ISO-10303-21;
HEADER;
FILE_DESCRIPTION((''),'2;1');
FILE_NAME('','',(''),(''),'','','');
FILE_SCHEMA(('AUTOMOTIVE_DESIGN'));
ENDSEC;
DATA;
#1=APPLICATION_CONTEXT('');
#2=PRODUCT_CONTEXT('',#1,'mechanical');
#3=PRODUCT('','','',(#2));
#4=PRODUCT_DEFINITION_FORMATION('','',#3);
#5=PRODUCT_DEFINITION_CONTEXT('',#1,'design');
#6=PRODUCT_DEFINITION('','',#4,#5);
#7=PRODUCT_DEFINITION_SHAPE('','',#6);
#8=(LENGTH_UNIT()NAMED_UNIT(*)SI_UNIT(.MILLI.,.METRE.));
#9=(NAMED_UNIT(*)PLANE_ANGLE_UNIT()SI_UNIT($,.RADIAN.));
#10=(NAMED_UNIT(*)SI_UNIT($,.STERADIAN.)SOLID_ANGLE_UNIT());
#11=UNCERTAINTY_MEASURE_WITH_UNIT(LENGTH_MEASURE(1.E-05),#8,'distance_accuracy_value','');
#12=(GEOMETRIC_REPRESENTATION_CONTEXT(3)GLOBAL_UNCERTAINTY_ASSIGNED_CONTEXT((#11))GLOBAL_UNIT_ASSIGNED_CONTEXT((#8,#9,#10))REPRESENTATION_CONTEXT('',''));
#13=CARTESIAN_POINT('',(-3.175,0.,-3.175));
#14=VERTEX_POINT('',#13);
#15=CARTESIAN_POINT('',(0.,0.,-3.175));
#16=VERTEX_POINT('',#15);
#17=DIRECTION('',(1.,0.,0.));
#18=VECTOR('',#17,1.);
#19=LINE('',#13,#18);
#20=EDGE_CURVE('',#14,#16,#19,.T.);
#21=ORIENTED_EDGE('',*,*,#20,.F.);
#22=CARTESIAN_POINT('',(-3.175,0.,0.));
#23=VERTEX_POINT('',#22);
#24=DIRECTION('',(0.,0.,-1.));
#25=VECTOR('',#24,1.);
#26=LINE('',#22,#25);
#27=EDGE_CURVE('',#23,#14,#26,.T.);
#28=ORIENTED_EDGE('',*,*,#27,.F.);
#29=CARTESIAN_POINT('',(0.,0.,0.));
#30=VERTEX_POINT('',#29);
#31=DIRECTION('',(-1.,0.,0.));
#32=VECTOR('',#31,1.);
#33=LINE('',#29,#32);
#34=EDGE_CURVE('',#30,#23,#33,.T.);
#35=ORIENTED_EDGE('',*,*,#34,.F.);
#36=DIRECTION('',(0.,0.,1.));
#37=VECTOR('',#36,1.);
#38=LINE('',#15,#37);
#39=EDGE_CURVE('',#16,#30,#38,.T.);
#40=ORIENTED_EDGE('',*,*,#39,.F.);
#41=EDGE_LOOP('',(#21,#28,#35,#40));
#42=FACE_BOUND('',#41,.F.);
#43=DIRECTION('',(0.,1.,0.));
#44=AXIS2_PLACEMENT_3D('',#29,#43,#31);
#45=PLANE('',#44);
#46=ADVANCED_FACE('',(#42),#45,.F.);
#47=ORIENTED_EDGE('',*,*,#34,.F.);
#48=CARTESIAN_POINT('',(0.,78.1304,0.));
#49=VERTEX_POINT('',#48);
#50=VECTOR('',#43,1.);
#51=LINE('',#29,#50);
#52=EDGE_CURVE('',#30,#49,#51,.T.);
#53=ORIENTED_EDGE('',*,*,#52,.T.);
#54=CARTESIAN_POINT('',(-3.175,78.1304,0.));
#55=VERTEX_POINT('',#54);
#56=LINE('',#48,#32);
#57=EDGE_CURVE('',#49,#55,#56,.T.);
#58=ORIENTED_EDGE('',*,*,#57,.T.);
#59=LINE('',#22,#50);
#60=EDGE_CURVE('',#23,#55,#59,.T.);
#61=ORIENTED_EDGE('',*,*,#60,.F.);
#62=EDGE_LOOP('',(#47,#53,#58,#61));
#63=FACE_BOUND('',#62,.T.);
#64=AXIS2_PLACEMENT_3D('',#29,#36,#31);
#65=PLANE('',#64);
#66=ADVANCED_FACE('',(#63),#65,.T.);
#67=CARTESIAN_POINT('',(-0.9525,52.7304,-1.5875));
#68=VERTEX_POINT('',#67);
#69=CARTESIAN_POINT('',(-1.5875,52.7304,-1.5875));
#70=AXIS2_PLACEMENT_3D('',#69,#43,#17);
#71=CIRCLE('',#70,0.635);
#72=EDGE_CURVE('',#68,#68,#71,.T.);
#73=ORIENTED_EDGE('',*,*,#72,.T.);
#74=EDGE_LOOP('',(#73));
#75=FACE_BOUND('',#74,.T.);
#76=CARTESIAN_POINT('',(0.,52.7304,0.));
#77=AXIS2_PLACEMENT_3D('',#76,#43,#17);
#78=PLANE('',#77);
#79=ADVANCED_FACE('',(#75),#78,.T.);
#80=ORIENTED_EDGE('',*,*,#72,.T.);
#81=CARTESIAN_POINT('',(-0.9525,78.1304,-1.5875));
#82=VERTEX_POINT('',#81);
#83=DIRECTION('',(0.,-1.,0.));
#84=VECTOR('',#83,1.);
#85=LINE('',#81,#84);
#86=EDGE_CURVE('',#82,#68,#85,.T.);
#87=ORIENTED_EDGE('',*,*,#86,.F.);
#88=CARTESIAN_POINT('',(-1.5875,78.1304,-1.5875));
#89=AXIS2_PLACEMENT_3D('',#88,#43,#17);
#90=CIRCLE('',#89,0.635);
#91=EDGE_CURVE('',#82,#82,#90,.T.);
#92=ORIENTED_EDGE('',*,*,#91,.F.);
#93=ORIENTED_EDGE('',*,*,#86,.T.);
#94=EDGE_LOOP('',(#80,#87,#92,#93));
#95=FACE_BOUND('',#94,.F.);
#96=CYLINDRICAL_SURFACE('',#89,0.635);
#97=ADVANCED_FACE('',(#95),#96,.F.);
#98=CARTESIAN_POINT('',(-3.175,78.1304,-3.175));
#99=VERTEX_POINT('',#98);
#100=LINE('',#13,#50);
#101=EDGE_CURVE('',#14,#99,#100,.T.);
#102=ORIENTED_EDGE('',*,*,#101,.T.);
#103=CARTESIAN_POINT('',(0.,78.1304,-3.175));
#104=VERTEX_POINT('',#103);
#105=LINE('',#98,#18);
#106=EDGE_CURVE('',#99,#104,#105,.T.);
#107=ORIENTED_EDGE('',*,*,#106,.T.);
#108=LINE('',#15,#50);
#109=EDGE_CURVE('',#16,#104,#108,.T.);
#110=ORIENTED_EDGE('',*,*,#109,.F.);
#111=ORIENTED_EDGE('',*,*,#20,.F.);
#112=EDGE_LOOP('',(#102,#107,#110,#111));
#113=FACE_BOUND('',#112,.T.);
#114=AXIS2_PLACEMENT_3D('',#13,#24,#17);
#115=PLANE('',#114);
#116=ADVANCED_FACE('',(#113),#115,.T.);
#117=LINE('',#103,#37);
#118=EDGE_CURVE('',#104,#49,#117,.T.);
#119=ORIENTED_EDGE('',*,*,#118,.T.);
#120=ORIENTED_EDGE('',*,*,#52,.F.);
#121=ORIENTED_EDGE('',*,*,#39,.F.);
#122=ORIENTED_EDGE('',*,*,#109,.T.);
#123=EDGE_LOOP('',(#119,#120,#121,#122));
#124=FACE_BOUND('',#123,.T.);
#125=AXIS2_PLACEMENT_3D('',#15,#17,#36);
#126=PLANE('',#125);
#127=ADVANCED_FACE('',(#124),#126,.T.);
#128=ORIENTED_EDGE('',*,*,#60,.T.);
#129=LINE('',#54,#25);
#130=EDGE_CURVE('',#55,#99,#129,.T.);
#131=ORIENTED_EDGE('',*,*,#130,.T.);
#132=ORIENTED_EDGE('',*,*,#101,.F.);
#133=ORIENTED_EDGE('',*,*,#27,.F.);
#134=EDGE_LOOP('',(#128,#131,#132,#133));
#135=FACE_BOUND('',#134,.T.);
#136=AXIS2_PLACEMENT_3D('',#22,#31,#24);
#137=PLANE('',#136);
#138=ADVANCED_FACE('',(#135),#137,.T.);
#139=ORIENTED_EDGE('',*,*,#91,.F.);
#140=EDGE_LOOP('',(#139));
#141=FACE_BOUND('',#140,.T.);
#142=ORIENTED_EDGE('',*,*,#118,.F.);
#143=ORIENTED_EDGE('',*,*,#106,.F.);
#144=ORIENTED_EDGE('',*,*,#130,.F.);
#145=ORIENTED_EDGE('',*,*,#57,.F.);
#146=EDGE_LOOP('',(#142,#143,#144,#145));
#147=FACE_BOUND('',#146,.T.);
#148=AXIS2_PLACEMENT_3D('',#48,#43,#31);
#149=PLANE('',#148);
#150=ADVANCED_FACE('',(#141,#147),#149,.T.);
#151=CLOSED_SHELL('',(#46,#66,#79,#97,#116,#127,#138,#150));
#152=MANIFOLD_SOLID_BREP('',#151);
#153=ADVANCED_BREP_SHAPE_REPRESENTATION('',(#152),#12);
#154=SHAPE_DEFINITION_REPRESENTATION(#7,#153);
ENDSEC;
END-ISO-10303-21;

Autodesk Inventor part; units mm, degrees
ref_plane "YZ Plane" through (0, 0, 0) normal (1, 0, 0) x (0, 1, 0)
ref_plane "XZ Plane" through (0, 0, 0) normal (0, 1, 0) x (-1, 0, 0)
ref_plane "XY Plane" through (0, 0, 0) normal (0, 0, 1) x (1, 0, 0)
sketch "Sketch1" plane through (0, 0, 0) normal (0, 1, 0) x (-1, 0, 0)
  line L0 (0, 0) -> (3.175, 0)
  line L1 (3.175, 0) -> (3.175, -3.175)
  line L2 (3.175, -3.175) -> (0, -3.175)
  line L3 (0, -3.175) -> (0, 0)
  point P0 (0, -1.5875)
  point P1 (3.175, -1.5875)
  dimension "d2" = 3.175
  dimension "d3" = 3.175
extrude "Extrusion1" add sketch "Sketch1" along normal blind 78.1304
sketch "Sketch2" plane through (0, 78.1304, 0) normal (0, 1, 0) x (1, 0, 0)
  circle A0 centre (-1.5875, 1.5875) radius 0.635
  line L0 (0, 3.175) -> (-3.175, 3.175) construction
  line L1 (-3.175, 3.175) -> (0, 0) construction
  line L2 (-3.175, 3.175) -> (-3.175, 0) construction
  line L3 (0, 3.175) -> (-3.175, 0) construction
  dimension "d4" = 1.27
extrude "Extrusion2" cut sketch "Sketch2" against normal blind 25.4
properties part number "shaft" material "Aluminum 6061"
